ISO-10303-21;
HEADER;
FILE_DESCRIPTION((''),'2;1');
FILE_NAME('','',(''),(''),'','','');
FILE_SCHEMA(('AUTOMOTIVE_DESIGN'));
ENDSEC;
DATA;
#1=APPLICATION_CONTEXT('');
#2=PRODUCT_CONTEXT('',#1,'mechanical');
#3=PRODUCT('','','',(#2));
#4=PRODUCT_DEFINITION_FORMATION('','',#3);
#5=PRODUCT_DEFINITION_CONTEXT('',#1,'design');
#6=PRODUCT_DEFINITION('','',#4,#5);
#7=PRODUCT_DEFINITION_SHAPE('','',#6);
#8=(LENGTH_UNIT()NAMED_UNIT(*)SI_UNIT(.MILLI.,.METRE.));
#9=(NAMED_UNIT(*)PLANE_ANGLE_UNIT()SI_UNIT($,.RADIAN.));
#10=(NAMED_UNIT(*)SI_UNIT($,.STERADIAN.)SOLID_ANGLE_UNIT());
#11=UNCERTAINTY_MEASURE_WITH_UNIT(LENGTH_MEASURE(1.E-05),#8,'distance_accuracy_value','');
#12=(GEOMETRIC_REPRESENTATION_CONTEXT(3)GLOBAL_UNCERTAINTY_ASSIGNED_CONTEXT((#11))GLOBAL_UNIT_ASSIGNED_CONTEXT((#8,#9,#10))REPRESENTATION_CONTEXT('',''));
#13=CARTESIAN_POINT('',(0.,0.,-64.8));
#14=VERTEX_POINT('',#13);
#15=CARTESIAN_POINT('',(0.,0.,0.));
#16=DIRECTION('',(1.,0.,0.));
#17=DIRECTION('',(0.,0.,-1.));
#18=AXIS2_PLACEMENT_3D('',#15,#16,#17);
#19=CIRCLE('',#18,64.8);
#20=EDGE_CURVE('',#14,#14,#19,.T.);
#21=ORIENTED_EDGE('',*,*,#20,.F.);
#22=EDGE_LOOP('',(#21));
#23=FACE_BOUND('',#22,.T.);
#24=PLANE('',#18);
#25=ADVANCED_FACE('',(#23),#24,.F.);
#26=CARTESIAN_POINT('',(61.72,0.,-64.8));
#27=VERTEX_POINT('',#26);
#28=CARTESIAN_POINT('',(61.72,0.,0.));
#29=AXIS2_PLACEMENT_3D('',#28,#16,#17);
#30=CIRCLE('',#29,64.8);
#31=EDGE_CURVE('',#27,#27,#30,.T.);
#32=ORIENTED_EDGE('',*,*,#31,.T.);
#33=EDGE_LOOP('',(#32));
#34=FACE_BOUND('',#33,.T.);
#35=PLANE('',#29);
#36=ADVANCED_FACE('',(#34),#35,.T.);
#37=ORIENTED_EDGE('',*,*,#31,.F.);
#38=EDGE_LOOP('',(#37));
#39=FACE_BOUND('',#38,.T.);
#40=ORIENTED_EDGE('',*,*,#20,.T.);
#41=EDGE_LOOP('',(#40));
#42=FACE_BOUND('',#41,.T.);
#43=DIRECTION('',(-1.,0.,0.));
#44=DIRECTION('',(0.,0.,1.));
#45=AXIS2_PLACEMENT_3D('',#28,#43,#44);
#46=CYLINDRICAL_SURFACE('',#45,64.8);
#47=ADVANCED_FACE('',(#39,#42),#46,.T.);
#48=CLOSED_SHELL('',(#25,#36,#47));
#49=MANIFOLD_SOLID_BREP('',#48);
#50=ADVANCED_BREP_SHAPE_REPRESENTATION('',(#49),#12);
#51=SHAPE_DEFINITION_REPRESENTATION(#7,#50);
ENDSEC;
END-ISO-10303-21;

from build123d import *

# Parameters (mm, degrees)
SKETCH1_R           = 64.8
BOSS_EXTRUDE1_DEPTH = 61.72


with BuildPart() as part:
    # Sketch1 → Boss-Extrude1 (new body)
    with BuildSketch(Plane(origin=(0, 0, 0), x_dir=(0, 0, -1), z_dir=(1, 0, 0))):
        Circle(SKETCH1_R)
    extrude(amount=BOSS_EXTRUDE1_DEPTH)


solid = part.part
